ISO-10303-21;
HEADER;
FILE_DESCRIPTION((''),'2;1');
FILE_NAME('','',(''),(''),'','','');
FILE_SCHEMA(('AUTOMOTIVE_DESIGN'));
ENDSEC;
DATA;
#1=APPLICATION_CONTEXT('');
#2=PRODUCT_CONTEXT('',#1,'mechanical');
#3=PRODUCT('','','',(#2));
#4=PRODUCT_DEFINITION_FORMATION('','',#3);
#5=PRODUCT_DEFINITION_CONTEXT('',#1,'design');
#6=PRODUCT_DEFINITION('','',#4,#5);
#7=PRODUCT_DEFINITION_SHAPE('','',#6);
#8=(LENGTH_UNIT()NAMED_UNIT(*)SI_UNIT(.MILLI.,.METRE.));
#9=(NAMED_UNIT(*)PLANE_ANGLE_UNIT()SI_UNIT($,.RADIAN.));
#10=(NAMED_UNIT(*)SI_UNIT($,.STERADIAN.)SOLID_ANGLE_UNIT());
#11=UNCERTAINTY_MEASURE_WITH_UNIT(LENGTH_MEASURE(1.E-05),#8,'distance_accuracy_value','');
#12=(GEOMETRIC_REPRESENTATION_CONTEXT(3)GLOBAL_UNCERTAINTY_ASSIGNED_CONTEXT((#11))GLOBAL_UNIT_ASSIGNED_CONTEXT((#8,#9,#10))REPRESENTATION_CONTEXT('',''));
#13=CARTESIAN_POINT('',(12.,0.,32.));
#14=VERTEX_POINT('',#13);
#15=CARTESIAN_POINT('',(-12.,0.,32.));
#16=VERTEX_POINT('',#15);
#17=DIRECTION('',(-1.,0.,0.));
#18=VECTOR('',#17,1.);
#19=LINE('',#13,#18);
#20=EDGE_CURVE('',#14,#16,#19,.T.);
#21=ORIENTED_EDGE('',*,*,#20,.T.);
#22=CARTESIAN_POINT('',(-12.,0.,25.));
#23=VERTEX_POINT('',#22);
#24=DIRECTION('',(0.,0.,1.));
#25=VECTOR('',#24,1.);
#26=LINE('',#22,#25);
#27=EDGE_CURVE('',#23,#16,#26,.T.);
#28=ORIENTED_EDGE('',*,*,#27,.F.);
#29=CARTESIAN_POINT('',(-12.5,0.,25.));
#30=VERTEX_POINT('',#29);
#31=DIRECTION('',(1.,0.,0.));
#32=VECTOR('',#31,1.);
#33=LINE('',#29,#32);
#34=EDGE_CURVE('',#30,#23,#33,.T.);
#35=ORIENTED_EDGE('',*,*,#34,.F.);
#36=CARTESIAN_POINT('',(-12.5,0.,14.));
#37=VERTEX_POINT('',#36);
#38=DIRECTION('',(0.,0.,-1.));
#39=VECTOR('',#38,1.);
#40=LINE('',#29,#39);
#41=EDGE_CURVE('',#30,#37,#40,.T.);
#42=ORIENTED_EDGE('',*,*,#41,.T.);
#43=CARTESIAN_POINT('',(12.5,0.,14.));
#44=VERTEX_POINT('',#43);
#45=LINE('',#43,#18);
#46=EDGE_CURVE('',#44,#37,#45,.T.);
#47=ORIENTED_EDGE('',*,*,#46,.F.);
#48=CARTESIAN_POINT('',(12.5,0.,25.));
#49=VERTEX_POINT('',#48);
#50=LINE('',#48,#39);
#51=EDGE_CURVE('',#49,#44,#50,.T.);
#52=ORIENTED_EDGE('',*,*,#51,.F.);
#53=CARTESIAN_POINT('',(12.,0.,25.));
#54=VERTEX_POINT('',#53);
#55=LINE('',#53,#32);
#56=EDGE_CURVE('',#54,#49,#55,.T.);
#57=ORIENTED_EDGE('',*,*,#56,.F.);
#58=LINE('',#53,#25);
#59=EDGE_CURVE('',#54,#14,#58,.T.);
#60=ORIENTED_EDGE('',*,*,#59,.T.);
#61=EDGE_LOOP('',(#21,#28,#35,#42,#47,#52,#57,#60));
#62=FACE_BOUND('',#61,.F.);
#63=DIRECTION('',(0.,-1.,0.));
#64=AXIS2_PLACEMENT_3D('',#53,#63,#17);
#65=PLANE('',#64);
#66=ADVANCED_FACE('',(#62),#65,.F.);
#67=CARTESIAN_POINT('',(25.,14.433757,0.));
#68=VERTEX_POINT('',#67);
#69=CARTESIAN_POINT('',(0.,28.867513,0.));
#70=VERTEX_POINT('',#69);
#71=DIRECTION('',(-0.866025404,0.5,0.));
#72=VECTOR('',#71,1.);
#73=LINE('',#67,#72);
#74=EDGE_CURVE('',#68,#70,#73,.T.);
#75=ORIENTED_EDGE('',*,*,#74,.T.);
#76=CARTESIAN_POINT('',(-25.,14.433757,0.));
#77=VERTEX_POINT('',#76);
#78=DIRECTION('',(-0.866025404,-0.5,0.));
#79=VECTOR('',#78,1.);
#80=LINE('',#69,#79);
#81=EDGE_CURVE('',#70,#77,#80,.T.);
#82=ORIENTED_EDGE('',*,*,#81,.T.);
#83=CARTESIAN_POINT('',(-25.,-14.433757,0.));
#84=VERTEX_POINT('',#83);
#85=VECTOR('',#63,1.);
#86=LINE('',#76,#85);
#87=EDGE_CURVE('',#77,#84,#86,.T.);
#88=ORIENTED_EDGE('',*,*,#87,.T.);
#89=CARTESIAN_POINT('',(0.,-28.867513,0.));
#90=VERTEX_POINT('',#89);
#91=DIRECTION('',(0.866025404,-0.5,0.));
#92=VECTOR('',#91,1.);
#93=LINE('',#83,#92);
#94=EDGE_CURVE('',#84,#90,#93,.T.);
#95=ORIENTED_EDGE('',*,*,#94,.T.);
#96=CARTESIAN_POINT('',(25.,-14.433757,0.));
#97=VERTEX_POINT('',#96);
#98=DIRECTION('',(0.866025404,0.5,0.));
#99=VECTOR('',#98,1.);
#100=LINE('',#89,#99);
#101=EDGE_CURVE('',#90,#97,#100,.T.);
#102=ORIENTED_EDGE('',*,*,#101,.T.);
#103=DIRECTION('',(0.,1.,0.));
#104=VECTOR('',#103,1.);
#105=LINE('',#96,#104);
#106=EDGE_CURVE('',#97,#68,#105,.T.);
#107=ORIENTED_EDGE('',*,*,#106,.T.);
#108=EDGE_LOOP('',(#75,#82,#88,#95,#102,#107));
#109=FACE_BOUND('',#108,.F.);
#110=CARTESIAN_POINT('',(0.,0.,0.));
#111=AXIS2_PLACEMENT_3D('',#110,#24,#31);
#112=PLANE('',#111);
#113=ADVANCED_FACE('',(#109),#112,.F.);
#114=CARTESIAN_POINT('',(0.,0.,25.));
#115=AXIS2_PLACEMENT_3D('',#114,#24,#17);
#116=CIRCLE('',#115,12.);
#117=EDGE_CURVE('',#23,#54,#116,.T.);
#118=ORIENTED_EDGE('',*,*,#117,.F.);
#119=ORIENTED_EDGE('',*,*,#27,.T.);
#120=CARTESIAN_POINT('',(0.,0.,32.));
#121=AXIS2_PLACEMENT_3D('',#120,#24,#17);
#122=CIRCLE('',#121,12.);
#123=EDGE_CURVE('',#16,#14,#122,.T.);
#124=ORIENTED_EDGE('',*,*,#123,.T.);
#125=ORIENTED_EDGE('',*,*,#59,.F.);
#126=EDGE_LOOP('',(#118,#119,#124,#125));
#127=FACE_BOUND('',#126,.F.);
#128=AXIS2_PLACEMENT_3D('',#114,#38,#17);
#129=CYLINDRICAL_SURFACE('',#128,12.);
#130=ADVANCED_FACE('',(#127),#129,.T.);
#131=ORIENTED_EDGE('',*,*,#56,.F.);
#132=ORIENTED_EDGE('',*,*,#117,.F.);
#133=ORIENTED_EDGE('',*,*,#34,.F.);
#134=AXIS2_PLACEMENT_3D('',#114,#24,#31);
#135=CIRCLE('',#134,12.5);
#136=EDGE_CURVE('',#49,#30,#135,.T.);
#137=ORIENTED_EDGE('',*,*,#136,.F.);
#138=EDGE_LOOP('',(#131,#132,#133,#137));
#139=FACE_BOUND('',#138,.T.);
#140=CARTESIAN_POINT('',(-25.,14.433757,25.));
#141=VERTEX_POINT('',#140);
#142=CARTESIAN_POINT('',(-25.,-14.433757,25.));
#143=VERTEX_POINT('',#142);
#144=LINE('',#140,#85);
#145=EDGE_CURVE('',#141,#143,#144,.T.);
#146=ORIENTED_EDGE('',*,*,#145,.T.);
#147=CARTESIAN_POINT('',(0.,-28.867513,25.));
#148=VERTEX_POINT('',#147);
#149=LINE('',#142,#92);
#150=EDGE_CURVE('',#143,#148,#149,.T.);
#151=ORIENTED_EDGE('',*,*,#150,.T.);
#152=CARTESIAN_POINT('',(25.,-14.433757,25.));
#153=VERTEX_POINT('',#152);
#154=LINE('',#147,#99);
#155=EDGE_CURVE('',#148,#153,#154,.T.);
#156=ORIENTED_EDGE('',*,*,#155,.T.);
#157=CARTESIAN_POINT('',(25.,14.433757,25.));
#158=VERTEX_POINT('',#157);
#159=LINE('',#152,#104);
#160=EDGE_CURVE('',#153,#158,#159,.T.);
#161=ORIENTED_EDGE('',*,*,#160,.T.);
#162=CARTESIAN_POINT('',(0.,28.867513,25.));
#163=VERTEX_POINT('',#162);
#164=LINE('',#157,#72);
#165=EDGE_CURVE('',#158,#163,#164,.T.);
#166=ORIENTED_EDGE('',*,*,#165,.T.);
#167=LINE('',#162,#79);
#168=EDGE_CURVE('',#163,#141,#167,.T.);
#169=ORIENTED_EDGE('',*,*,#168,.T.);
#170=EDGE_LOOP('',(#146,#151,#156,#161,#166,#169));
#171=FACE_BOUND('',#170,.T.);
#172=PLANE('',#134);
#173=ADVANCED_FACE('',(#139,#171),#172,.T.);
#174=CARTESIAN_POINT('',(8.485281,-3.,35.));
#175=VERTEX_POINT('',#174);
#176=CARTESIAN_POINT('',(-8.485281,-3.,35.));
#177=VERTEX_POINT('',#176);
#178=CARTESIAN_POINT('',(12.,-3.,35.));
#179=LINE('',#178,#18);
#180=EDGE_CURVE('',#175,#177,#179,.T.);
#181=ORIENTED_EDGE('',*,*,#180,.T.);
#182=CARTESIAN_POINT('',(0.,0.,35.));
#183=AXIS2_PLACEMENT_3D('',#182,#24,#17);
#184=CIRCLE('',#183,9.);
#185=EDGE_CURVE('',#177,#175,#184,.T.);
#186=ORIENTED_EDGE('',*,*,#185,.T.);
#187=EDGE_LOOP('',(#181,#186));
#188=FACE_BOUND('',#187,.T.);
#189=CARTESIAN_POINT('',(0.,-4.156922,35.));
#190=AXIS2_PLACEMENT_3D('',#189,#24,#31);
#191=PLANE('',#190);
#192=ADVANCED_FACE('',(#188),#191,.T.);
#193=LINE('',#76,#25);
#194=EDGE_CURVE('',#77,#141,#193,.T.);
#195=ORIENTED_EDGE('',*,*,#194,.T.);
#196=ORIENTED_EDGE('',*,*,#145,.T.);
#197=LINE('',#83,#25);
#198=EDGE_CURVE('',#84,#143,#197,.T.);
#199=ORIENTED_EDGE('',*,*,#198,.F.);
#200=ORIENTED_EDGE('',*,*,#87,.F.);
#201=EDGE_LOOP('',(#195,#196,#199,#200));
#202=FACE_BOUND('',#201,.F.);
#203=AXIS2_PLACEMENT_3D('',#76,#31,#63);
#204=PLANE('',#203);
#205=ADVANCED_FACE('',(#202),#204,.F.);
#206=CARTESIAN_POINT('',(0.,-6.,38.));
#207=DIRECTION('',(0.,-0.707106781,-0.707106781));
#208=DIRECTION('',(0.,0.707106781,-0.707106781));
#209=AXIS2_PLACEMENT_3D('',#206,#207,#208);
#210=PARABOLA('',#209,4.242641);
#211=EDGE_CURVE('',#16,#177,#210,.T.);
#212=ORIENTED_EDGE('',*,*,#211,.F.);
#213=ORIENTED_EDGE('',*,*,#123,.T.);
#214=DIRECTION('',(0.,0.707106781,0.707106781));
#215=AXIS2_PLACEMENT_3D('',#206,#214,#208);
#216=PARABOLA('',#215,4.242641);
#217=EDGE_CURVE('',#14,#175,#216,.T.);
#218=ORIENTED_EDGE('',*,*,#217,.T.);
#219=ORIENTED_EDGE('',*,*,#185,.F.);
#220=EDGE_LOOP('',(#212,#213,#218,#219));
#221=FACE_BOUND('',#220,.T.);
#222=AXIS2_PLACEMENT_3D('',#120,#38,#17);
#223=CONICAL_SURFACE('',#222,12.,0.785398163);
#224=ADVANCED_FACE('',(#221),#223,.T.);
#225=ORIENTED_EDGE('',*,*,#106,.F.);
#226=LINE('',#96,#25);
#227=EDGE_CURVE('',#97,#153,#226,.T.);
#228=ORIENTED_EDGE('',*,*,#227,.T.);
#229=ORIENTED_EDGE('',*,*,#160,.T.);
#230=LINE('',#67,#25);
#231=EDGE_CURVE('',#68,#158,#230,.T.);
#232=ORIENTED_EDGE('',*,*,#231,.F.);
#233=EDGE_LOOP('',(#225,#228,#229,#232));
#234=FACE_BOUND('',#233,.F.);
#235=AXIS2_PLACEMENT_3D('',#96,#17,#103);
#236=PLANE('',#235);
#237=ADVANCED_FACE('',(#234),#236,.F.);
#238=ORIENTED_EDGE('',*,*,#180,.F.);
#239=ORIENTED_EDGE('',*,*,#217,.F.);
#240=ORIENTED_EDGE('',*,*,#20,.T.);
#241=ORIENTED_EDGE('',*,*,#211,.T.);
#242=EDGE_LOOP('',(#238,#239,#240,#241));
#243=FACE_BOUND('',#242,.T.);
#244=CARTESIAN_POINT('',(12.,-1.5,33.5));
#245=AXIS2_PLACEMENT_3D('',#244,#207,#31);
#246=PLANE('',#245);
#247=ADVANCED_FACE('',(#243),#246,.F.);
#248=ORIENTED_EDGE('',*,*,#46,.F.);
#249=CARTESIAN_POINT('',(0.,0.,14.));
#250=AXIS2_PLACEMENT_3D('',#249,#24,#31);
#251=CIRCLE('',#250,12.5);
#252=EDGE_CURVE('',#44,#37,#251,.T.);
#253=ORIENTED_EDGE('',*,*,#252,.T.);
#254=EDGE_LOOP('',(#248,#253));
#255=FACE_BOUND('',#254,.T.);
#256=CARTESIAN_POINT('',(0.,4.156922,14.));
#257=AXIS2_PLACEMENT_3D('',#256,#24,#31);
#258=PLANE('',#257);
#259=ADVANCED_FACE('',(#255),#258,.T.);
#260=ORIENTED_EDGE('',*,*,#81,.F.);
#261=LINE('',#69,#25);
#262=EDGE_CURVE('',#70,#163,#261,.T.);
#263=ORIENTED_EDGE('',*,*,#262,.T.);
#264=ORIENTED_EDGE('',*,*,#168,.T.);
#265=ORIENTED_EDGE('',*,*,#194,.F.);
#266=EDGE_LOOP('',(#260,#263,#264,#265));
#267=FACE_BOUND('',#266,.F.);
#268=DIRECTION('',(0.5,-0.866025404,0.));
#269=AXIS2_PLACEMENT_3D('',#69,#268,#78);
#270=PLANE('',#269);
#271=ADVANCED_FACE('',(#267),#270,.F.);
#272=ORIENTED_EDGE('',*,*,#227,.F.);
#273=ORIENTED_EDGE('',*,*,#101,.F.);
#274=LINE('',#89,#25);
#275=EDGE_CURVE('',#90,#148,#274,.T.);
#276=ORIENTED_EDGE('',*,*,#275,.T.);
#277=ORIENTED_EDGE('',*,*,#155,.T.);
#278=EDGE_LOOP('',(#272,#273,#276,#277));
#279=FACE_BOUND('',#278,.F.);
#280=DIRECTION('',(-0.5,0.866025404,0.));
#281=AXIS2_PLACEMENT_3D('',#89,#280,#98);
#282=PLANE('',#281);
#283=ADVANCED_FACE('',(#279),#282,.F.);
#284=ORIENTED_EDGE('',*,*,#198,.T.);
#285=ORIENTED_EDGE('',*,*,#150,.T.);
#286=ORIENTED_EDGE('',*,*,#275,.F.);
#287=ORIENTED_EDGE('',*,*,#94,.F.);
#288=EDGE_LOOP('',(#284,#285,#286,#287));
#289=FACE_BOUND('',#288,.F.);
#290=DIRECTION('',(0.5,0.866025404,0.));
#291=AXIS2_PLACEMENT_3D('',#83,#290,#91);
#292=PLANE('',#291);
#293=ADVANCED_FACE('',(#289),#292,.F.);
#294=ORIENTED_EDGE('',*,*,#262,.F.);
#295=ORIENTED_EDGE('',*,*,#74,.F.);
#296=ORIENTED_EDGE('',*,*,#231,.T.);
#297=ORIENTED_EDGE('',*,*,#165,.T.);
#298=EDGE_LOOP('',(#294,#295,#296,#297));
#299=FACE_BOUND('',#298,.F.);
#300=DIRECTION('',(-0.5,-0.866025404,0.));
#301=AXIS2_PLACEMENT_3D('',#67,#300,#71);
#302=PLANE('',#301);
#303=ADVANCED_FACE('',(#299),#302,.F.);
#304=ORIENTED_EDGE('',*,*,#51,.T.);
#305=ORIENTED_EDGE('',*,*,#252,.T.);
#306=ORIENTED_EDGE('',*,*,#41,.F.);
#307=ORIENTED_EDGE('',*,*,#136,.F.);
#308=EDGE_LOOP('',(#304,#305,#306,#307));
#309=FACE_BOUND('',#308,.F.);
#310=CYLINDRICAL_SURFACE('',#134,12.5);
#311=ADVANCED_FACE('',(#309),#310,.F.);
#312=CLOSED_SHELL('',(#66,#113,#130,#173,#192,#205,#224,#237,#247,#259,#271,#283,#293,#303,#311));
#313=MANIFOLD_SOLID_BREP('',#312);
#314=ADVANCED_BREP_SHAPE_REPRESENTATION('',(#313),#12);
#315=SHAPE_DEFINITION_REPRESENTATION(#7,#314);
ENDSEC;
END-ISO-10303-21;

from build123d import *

# Parameters (mm, degrees)
F1_DEPTH = 25
F3_DEPTH = 10
F4_SIZE  = 3
F6_DEPTH = 11


with BuildPart() as f1:
    # F0 (on Top) → F1 (new body)
    with BuildSketch(Plane.XY):
        Polygon((-25, 14.4337567297), (-25, -14.4337567297), (0, -28.8675134595), (25, -14.4337567297), (25, 14.4337567297), (0, 28.8675134595), align=None)
    extrude(amount=F1_DEPTH)

    # F2 (on face) → F3 (join)
    with BuildSketch(Plane.XY.offset(25)):
        with BuildLine():
            ThreePointArc((-12, 0), (0, -12), (12, 0))
            Line((12, 0), (-12, 0))
        make_face()
    extrude(amount=F3_DEPTH)

    # F4
    f4_edges = [f1.edges().sort_by_distance(p)[0] for p in [
        (0, 0, 35),
        (0, -12, 35),
    ]]
    chamfer(f4_edges, length=F4_SIZE)

    # F5 (on face) + F2 (on face) → F6 (cut)
    with BuildSketch(Plane.XY.offset(25)):
        with BuildLine():
            Line((12, 0), (12.5, 0))
            ThreePointArc((12.5, 0), (0, 12.5), (-12.5, 0))
            Line((-12.5, 0), (-12, 0))
            ThreePointArc((-12, 0), (0, 12), (12, 0))
        make_face()
    with BuildSketch(Plane.XY.offset(25)):
        with BuildLine():
            Line((-12, 0), (12, 0))
            ThreePointArc((12, 0), (0, 12), (-12, 0))
        make_face()
    extrude(amount=-F6_DEPTH, mode=Mode.SUBTRACT)


solid = f1.part
